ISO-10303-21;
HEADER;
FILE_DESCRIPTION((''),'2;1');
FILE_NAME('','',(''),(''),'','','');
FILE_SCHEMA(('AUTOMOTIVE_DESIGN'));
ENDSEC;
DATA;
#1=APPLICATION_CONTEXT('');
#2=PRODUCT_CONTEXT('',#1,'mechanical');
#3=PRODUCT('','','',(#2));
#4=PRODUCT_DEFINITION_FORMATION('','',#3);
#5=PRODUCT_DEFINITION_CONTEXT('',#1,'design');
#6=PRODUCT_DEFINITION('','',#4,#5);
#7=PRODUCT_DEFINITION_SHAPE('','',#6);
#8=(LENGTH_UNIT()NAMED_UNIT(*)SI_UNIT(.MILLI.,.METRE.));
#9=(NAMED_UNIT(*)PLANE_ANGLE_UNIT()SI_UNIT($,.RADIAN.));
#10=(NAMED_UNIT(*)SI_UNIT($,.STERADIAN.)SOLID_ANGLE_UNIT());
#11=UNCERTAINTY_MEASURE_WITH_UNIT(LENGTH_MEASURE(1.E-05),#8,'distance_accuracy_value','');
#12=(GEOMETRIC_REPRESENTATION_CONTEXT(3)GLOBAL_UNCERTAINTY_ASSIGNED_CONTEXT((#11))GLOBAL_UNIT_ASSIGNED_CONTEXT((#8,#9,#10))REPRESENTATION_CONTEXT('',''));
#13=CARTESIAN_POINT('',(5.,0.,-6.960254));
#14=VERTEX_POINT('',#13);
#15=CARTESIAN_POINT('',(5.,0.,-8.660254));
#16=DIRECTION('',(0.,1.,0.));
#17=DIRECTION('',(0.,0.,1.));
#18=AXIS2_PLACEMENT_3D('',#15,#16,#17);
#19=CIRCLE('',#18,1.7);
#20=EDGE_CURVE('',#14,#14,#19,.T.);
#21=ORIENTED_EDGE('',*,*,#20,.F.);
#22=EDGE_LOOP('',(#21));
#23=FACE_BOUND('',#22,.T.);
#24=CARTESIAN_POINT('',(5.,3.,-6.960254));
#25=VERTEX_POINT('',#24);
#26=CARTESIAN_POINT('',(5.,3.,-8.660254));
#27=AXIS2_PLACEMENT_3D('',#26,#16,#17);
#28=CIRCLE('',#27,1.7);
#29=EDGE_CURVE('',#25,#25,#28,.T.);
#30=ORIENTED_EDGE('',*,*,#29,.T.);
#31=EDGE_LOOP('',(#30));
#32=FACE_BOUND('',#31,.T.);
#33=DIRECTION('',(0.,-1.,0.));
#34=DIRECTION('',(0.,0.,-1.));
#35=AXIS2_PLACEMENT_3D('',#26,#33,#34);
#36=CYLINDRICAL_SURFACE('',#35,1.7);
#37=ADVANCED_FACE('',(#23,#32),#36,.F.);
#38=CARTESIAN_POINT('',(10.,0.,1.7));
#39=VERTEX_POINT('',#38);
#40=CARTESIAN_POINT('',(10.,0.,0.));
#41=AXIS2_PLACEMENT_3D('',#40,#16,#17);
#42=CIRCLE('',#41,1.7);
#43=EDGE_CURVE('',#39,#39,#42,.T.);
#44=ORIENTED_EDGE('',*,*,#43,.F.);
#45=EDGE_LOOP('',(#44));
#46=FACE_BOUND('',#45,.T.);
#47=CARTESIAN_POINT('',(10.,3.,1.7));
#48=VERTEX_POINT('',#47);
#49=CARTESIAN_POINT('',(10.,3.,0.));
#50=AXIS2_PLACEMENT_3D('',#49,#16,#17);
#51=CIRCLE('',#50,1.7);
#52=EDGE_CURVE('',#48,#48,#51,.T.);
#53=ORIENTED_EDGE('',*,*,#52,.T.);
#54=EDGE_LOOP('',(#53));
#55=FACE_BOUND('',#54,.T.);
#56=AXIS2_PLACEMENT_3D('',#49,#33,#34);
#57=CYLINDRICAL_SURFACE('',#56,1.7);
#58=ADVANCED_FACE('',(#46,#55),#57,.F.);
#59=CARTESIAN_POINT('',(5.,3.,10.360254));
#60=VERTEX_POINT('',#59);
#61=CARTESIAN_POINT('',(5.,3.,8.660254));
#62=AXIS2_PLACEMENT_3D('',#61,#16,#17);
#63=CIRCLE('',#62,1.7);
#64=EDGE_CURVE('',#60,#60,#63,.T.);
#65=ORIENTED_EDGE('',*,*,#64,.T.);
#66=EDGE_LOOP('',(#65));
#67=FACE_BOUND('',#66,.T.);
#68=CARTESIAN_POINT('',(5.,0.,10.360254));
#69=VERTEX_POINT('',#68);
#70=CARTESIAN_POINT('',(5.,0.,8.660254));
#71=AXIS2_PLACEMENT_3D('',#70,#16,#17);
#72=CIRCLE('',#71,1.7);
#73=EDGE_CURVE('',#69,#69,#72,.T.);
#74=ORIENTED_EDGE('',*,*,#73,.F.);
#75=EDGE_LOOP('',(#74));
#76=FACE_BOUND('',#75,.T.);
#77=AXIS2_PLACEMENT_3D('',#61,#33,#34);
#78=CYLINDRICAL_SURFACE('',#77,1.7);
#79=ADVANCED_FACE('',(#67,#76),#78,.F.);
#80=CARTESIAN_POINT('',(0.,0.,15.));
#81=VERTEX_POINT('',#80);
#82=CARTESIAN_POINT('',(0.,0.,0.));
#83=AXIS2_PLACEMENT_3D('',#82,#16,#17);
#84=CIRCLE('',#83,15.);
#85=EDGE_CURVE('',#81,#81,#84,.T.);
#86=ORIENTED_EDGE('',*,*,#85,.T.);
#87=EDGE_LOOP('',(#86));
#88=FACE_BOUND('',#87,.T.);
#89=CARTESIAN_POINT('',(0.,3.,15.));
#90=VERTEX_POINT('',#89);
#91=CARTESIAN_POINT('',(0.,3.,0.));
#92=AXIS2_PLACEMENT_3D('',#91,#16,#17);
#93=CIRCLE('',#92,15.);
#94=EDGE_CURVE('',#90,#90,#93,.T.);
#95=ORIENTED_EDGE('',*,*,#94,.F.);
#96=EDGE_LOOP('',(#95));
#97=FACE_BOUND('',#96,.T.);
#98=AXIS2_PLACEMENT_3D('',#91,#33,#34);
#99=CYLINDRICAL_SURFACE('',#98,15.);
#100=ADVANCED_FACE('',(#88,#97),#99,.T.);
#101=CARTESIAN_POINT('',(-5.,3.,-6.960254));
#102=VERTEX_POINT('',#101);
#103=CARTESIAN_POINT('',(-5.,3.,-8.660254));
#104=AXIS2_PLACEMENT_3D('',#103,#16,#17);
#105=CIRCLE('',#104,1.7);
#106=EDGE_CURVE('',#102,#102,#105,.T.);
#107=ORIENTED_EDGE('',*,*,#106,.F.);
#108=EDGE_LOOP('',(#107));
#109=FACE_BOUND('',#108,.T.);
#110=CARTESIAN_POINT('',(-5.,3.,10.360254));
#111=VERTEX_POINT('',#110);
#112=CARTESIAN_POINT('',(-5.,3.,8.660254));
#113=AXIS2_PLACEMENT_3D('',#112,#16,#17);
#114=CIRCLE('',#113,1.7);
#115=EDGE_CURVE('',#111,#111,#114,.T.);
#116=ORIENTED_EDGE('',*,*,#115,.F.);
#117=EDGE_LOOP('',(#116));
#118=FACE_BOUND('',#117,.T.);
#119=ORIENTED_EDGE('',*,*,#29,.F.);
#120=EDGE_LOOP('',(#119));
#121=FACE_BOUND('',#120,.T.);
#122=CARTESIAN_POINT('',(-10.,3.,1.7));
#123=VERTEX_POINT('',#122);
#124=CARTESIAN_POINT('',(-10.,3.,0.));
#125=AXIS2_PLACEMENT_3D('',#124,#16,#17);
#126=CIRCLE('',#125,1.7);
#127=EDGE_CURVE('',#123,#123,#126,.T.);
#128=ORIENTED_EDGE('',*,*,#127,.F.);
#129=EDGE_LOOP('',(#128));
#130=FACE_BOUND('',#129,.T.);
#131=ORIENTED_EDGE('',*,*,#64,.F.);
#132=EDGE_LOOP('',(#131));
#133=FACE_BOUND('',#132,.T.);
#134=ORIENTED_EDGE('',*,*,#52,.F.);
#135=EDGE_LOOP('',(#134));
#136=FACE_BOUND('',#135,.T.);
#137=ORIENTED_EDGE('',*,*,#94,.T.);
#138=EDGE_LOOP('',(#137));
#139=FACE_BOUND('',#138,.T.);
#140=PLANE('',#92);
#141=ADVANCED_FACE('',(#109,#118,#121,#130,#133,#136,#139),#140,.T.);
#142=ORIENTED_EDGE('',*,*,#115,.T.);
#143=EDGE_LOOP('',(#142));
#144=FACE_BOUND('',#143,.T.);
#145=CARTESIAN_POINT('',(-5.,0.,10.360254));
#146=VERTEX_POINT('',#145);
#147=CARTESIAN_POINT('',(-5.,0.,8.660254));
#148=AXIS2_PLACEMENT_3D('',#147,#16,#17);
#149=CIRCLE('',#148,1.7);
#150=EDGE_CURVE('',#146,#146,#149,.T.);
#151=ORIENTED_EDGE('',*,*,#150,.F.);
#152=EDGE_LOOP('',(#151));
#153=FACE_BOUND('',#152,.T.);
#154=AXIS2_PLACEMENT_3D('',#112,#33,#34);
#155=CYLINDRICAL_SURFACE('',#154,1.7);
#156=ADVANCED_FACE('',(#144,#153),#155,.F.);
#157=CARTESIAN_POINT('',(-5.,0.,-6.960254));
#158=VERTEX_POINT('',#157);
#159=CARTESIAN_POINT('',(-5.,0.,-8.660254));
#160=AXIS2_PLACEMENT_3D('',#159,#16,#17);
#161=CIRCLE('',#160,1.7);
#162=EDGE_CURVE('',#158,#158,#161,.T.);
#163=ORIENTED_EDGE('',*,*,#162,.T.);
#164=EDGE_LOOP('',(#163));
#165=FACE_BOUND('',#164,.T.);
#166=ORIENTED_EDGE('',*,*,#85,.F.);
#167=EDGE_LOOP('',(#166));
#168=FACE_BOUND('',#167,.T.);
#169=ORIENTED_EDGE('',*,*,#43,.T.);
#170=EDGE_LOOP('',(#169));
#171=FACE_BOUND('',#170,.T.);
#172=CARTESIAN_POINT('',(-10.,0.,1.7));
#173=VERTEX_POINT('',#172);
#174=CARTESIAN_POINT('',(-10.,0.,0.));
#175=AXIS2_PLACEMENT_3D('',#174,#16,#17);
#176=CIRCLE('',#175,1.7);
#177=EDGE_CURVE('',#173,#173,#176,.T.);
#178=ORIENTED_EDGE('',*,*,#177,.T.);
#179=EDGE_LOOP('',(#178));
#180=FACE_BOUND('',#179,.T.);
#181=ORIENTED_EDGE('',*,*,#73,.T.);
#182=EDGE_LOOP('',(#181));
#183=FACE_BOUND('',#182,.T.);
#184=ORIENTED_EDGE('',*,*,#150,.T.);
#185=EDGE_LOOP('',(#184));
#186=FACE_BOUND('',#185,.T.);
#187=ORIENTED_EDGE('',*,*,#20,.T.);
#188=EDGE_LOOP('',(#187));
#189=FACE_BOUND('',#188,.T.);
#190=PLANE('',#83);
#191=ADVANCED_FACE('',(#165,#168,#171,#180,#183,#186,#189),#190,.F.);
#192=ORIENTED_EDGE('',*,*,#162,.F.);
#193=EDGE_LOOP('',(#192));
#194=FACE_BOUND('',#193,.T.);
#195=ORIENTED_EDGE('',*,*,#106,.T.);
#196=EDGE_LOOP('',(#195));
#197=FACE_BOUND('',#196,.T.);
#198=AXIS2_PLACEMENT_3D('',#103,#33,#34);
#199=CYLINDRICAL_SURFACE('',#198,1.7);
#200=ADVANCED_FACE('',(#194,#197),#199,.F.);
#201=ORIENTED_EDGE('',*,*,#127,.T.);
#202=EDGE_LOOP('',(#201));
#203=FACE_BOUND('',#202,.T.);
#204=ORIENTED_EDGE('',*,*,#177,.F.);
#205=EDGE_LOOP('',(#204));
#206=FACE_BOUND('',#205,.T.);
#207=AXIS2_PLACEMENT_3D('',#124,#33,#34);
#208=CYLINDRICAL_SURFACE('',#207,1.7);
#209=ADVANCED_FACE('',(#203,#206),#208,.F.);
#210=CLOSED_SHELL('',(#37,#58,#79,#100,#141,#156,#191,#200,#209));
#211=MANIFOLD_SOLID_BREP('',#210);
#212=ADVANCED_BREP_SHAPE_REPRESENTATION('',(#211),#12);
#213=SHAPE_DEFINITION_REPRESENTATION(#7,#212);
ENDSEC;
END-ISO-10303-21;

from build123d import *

# Parameters (mm, degrees)
SKETCH1_R           = 15
SKETCH1_R_2         = 1.7
BOSS_EXTRUDE1_DEPTH = 3


with BuildPart() as part:
    # Sketch1 → Boss-Extrude1 (new body)
    with BuildSketch(Plane(origin=(0, 0, 0), x_dir=(1, 0, 0), z_dir=(0, 1, 0))):
        with Locations(Location((0, 0, 0), (0, 0, 270))):
            Circle(SKETCH1_R)
        with Locations(Location((10, 0, 0), (0, 0, 270))):
            Circle(SKETCH1_R_2, mode=Mode.SUBTRACT)
        with Locations(Location((5, -8.660254038, 0), (0, 0, 270))):
            Circle(SKETCH1_R_2, mode=Mode.SUBTRACT)
        with Locations(Location((-5, -8.660254038, 0), (0, 0, 270))):
            Circle(SKETCH1_R_2, mode=Mode.SUBTRACT)
        with Locations(Location((-10, 0, 0), (0, 0, 270))):
            Circle(SKETCH1_R_2, mode=Mode.SUBTRACT)
        with Locations(Location((-5, 8.660254038, 0), (0, 0, 270))):
            Circle(SKETCH1_R_2, mode=Mode.SUBTRACT)
        with Locations(Location((5, 8.660254038, 0), (0, 0, 270))):
            Circle(SKETCH1_R_2, mode=Mode.SUBTRACT)
    extrude(amount=BOSS_EXTRUDE1_DEPTH)


solid = part.part
